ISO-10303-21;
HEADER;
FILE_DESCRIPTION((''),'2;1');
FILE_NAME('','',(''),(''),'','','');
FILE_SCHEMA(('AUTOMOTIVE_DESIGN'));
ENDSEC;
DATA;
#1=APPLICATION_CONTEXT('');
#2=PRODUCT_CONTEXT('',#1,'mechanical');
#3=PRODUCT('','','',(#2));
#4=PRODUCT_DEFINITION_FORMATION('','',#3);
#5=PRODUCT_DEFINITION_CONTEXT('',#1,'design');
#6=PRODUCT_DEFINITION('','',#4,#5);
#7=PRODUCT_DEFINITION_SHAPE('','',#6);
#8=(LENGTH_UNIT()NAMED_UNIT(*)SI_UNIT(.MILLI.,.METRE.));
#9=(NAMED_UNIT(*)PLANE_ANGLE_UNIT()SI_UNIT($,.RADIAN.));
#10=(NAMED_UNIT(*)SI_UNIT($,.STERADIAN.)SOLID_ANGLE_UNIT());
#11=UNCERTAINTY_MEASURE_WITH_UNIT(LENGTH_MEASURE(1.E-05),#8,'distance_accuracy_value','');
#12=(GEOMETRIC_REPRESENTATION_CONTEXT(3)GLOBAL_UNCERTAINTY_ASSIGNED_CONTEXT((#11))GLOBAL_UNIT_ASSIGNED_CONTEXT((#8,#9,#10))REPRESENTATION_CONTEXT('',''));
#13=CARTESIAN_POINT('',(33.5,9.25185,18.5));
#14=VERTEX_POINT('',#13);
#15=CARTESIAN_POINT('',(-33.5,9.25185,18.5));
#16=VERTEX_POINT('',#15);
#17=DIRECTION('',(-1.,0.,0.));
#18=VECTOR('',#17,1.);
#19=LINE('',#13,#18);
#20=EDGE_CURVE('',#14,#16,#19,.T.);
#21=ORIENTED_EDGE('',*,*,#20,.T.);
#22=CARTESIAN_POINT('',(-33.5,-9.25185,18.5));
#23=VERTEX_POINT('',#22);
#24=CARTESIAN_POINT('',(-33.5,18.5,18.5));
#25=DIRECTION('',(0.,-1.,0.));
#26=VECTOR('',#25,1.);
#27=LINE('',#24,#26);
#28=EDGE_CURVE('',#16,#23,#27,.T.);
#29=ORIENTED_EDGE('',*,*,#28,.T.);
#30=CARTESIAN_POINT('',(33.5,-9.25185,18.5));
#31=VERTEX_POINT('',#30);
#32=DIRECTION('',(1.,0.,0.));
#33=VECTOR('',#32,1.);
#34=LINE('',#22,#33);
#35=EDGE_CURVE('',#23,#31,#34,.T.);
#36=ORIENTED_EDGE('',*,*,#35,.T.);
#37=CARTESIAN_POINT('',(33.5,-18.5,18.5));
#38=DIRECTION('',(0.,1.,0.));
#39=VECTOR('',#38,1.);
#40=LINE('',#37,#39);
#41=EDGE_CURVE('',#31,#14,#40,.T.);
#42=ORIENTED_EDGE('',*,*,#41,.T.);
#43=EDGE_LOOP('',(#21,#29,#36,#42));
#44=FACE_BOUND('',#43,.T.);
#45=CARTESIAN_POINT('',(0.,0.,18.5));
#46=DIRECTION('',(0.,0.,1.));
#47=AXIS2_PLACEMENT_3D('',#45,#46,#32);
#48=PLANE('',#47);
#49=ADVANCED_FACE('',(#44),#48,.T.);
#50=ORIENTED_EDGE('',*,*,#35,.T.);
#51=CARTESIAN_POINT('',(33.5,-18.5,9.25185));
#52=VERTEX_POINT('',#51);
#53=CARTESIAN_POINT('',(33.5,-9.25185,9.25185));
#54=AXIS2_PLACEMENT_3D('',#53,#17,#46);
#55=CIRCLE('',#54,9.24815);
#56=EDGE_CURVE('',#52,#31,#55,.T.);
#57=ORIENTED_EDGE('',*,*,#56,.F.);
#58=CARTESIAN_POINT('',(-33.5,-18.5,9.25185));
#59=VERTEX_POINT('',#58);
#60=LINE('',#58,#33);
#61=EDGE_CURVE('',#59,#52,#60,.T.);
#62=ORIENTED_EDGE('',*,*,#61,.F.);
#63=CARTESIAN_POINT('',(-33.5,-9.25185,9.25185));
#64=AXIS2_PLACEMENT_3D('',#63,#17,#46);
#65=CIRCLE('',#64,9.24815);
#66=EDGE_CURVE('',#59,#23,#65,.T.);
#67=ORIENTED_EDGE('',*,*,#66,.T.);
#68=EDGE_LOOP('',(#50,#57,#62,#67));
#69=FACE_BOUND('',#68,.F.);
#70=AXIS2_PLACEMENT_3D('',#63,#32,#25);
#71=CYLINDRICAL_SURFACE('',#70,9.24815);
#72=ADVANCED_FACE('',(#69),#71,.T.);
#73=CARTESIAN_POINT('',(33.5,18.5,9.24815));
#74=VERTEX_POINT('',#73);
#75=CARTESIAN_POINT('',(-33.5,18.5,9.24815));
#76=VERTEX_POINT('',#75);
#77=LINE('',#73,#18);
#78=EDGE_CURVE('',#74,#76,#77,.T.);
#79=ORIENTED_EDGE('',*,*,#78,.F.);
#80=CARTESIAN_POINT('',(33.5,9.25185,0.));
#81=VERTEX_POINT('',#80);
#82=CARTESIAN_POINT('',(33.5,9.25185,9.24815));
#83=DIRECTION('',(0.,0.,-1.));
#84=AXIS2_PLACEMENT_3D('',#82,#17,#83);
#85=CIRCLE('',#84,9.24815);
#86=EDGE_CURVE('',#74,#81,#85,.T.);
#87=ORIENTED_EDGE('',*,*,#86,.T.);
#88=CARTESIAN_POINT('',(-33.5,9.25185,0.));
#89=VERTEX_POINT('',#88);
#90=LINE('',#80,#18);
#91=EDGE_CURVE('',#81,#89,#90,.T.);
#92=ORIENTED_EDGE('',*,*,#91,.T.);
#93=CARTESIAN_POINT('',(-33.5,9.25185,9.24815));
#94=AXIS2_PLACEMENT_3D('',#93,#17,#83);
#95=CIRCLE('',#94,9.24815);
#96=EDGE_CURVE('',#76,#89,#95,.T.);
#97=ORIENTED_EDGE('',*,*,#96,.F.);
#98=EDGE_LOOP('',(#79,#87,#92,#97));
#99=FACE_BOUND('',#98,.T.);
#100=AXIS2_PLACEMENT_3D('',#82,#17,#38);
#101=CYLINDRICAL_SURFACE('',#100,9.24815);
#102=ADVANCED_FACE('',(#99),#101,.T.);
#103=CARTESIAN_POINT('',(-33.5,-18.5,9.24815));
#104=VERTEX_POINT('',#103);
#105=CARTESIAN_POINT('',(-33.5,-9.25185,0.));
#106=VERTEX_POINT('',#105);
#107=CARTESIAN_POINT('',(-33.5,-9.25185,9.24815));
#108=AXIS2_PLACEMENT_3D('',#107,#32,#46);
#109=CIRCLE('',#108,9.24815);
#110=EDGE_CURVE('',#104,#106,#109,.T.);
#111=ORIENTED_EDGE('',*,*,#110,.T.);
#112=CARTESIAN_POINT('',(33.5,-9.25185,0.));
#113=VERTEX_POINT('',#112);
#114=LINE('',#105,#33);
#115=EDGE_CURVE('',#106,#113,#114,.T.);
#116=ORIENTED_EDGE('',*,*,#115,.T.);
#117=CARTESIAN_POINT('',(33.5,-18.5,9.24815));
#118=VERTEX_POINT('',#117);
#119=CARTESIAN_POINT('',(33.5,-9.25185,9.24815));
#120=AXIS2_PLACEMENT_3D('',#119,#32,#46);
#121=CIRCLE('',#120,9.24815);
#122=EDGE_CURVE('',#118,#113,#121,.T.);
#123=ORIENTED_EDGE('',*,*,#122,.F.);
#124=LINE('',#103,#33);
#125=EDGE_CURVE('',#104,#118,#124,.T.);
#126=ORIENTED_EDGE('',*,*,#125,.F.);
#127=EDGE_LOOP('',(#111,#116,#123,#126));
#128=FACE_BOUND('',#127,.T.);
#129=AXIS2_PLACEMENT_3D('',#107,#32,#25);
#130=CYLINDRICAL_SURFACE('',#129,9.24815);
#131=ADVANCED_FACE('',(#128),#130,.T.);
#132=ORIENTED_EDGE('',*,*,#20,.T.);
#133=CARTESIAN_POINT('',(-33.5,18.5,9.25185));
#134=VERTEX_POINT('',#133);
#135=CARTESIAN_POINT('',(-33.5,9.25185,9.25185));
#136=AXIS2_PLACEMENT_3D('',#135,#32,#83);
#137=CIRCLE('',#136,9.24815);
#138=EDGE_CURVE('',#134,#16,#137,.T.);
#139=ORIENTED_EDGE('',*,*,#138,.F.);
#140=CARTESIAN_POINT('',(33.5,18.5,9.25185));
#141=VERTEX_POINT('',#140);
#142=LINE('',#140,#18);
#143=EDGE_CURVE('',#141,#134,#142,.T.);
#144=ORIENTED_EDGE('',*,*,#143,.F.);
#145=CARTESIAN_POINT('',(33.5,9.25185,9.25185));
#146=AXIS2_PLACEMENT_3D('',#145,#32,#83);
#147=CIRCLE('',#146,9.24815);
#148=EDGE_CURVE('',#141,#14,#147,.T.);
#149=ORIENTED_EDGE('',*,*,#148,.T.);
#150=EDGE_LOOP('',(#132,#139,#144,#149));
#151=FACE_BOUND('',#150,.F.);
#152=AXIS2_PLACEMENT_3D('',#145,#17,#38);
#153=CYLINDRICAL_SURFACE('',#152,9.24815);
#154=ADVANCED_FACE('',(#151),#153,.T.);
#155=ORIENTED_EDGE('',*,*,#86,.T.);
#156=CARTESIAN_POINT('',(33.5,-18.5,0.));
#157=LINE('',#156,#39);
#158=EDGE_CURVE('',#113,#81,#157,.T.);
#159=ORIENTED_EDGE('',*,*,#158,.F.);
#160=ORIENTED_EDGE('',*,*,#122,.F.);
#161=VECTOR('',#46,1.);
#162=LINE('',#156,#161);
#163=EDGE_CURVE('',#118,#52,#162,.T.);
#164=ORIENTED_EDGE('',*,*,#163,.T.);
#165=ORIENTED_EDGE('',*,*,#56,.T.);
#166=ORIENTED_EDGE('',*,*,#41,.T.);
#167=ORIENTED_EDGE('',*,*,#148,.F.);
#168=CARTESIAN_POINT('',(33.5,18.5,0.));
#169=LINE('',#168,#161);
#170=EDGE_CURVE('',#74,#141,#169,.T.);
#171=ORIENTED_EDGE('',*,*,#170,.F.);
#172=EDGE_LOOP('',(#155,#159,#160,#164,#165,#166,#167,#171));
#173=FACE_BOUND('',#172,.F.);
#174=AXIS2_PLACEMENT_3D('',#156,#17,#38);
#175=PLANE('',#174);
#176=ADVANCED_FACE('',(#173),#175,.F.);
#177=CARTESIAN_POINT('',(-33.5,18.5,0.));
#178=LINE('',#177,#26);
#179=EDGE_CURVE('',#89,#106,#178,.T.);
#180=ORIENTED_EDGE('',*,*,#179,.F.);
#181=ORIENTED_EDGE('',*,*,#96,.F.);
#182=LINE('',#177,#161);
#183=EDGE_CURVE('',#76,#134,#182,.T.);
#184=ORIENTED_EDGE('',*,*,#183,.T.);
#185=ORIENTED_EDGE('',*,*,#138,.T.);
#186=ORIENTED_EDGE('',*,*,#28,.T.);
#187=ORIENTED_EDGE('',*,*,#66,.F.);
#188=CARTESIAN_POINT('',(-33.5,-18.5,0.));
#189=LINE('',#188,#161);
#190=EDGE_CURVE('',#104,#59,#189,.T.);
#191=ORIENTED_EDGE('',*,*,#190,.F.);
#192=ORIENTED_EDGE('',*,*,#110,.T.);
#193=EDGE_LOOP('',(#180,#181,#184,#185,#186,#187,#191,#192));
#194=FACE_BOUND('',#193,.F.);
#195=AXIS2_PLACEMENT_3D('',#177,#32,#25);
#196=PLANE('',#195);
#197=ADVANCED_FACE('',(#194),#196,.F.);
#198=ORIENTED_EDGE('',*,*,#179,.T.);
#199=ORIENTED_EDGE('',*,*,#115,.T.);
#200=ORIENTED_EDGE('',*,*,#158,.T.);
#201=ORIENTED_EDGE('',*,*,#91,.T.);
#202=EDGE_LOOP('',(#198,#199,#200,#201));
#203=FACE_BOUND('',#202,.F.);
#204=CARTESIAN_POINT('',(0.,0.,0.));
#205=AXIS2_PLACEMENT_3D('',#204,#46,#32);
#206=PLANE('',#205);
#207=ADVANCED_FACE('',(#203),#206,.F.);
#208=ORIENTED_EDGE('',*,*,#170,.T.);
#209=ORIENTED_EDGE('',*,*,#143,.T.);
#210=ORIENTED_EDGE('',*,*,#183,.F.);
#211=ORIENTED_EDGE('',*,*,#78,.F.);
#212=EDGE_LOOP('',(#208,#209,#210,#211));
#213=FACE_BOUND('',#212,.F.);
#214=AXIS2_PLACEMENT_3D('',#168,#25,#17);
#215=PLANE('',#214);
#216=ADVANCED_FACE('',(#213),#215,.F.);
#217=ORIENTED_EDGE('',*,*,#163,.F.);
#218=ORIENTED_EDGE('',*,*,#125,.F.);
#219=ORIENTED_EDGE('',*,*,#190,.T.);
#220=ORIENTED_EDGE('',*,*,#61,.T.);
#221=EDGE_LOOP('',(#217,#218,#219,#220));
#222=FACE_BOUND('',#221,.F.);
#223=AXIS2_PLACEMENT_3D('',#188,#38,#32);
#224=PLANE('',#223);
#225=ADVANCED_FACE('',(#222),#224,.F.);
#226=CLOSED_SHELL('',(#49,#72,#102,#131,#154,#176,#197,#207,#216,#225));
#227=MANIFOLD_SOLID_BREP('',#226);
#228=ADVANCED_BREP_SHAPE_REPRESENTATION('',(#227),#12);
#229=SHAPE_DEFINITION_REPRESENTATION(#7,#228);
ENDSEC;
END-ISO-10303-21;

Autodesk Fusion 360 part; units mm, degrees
sketch "Sketch1" plane through (0, 0, 0) normal (0, 0, 1) x (1, 0, 0) in component "LiPo_Bat_4400_Dual_Cylinder"
  line L0 (33.5, 18.5) -> (-33.5, 18.5)
  line L1 (-33.5, 18.5) -> (-33.5, -18.5)
  line L2 (-33.5, -18.5) -> (33.5, -18.5)
  line L3 (33.5, -18.5) -> (33.5, 18.5)
  line L4 (33.5, 18.5) -> (-33.5, -18.5) construction
  line L5 (-33.5, 18.5) -> (33.5, -18.5) construction
  dimension "d1" = 67
  dimension "d2" = 37
extrude "Extrude1" add sketch "Sketch1" along normal blind 18.5 in component "LiPo_Bat_4400_Dual_Cylinder"
fillet "Fillet1" radius 9.25 4 edges at (0, -18.5, 18.5) (0, -18.5, 0) (0, 18.5, 0) (0, 18.5, 18.5) in component "LiPo_Bat_4400_Dual_Cylinder"
component "LiPo_Bat_4400_Dual_Cylinder" placed x (1, 0, 0) y (0, 1, 0) z (0, 0, 1) at (0, 0, 0)
